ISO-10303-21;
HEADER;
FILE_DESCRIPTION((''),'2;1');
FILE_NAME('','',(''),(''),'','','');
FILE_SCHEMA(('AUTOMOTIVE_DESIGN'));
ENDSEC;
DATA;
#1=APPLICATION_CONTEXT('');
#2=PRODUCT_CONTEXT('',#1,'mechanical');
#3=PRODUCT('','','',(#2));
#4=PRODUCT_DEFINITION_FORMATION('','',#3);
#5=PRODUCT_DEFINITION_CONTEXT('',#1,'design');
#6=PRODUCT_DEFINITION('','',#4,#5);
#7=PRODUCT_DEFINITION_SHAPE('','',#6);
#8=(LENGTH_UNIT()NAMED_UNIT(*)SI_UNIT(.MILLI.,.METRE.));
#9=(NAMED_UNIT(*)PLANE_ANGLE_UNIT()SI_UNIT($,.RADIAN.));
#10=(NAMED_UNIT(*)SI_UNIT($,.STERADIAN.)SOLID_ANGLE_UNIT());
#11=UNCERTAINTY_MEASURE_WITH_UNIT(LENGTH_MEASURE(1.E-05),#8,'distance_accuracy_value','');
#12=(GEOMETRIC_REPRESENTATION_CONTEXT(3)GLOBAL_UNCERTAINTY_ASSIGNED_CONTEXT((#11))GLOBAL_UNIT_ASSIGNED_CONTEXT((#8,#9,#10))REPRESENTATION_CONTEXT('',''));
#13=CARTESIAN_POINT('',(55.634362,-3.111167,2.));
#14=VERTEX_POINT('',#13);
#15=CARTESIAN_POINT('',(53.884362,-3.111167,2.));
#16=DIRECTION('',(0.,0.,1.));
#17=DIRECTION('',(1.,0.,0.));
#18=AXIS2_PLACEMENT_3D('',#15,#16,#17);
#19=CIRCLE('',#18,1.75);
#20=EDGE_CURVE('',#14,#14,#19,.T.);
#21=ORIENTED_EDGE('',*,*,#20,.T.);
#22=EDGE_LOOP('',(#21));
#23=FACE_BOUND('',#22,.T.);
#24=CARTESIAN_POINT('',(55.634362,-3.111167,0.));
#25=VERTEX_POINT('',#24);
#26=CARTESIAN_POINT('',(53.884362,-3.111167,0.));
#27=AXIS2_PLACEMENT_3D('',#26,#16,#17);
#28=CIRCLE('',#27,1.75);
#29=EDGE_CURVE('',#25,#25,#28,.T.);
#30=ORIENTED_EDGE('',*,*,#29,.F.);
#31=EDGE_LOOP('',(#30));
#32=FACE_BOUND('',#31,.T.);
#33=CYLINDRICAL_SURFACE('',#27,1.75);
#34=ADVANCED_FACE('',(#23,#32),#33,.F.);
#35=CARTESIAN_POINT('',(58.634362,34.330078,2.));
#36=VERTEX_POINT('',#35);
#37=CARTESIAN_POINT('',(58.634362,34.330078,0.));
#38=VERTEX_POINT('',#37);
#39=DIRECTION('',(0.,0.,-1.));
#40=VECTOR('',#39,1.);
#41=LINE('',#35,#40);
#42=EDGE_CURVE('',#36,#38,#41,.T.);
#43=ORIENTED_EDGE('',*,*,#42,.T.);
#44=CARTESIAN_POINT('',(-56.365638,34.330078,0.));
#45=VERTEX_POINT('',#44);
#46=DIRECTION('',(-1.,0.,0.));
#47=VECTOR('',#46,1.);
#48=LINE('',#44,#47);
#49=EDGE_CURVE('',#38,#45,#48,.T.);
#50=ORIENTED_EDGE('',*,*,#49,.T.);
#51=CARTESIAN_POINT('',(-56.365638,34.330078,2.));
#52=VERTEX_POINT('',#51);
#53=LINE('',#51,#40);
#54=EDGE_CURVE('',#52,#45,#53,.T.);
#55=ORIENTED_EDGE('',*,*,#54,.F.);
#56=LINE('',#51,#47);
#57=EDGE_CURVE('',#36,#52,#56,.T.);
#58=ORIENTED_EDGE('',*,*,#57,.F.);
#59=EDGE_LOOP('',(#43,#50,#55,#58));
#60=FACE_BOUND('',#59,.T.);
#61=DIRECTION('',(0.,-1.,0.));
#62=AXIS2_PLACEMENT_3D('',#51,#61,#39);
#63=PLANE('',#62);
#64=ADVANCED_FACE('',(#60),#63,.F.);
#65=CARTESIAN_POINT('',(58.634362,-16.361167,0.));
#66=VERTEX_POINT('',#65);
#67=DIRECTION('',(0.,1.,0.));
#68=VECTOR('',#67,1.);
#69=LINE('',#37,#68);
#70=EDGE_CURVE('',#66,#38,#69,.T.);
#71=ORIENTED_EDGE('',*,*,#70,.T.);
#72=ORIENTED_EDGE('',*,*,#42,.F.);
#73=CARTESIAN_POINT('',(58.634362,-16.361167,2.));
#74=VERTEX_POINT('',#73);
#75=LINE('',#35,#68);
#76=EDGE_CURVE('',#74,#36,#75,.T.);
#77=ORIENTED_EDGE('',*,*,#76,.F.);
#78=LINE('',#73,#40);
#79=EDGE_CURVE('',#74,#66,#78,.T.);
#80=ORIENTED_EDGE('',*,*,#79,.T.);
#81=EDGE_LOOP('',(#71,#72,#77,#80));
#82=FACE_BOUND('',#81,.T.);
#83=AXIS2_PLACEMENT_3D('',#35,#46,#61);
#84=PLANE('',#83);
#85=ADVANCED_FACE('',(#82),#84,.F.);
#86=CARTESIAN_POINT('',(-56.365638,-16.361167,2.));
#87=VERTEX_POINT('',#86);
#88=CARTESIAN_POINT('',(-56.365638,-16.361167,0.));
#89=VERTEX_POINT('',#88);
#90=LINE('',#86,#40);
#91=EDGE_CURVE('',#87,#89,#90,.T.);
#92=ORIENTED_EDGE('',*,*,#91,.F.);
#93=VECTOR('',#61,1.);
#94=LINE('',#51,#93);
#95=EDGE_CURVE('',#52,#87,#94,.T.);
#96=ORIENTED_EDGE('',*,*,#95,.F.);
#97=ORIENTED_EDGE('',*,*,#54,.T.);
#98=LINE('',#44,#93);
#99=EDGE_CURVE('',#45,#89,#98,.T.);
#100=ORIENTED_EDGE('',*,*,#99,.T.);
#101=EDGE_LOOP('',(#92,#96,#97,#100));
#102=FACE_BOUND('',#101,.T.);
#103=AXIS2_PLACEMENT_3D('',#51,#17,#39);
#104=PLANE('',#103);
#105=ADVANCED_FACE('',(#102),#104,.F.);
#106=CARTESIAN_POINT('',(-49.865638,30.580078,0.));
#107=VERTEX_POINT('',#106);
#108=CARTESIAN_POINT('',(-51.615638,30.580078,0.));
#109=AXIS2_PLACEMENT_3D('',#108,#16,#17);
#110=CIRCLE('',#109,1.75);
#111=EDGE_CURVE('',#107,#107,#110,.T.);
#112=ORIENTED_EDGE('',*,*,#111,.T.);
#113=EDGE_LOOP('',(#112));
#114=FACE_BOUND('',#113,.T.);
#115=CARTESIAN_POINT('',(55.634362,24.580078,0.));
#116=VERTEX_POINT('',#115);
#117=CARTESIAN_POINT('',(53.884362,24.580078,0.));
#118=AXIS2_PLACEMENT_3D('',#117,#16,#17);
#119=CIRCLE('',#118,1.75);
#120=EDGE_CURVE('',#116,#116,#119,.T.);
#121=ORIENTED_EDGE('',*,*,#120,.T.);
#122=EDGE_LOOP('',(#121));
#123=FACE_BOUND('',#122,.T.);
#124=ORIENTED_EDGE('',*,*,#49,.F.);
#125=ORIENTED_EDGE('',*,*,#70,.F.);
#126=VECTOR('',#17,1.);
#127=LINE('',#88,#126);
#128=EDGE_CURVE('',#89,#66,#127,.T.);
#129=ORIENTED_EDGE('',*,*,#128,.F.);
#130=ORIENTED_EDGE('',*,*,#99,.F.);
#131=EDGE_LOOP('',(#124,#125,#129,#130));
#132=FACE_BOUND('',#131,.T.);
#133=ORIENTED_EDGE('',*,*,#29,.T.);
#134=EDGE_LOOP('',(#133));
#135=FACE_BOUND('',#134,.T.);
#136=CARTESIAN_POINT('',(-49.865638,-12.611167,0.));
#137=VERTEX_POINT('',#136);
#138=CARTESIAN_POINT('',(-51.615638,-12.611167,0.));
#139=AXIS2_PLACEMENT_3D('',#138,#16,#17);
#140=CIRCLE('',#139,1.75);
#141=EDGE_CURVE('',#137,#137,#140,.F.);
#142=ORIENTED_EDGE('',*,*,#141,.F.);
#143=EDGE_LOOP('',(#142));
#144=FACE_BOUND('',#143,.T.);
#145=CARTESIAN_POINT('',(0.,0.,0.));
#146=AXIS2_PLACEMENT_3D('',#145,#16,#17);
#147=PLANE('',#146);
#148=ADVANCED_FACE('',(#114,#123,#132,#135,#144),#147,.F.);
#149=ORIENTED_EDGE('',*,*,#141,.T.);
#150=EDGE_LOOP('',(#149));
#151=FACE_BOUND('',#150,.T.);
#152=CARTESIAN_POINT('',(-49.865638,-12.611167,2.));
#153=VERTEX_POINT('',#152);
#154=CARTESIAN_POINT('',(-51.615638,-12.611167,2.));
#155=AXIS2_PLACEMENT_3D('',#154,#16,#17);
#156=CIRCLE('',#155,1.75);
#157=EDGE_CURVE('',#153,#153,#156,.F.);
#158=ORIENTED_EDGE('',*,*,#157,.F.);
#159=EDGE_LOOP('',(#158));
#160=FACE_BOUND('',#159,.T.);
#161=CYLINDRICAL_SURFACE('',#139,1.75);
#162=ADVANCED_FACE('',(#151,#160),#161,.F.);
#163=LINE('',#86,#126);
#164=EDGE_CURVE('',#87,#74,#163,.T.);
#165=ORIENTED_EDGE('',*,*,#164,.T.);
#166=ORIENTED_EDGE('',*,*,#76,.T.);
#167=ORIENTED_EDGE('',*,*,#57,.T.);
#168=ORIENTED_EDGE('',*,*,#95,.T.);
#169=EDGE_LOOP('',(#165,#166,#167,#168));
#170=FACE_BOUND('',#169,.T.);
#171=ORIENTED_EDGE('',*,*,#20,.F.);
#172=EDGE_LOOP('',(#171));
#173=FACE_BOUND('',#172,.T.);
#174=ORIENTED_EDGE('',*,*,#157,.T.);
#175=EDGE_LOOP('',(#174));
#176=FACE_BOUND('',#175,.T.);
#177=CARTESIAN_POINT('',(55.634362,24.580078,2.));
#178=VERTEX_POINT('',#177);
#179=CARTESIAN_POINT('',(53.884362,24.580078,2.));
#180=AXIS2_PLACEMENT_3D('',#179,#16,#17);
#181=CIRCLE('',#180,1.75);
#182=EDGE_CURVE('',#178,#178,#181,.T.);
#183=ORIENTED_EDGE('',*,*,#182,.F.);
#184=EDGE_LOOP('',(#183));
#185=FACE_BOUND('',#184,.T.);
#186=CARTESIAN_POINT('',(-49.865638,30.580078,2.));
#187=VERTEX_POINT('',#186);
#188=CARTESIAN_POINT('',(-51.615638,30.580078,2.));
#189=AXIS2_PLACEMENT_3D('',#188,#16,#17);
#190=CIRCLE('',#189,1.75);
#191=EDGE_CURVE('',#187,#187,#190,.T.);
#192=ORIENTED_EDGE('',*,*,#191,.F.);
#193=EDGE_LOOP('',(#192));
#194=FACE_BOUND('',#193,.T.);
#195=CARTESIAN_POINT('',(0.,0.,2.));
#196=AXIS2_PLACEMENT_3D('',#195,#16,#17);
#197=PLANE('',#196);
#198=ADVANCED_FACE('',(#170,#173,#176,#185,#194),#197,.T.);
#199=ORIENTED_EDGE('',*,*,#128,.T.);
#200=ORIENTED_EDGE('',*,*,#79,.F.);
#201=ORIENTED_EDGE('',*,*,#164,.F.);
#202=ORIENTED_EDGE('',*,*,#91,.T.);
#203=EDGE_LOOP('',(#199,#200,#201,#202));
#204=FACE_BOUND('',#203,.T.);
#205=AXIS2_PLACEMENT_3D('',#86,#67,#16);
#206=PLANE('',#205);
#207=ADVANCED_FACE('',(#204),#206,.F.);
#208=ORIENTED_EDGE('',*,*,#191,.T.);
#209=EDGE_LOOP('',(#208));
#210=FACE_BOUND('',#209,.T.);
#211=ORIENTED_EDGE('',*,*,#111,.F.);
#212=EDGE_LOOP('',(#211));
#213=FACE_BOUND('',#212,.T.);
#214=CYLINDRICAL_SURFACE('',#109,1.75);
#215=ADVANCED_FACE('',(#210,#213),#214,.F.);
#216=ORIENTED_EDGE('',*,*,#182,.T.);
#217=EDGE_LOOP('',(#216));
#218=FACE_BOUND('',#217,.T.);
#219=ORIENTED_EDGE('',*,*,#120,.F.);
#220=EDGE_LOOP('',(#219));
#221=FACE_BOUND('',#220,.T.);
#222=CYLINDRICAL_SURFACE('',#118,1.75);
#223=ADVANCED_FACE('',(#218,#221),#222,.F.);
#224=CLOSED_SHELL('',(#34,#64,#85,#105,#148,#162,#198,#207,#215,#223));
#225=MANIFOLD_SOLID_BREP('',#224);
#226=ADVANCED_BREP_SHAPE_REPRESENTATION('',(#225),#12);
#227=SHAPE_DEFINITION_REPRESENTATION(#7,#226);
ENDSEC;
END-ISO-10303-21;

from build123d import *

# Parameters (mm, degrees)
SKETCH1_W           = 115
SKETCH1_H           = 50.691245182
BOSS_EXTRUDE1_DEPTH = 2
SKETCH2_R           = 1.75
CUT_EXTRUDE1_DEPTH  = 68.974573571


with BuildPart() as part:
    # Sketch1 → Boss-Extrude1 (new body)
    with BuildSketch(Plane.XY):
        with Locations((1.1343617, 8.984455769)):
            Rectangle(SKETCH1_W, SKETCH1_H)
    extrude(amount=BOSS_EXTRUDE1_DEPTH)

    # Sketch2 → Cut-Extrude1 (cut, through all)
    with BuildSketch(Plane.XY.offset(2)):
        with Locations((-51.6156383, 30.58007836)):
            Circle(SKETCH2_R)
        with Locations((53.8843617, 24.58007836)):
            Circle(SKETCH2_R)
        with Locations((-51.6156383, -12.611166822)):
            Circle(SKETCH2_R)
        with Locations((53.8843617, -3.111166822)):
            Circle(SKETCH2_R)
    extrude(amount=-CUT_EXTRUDE1_DEPTH, mode=Mode.SUBTRACT)


solid = part.part
